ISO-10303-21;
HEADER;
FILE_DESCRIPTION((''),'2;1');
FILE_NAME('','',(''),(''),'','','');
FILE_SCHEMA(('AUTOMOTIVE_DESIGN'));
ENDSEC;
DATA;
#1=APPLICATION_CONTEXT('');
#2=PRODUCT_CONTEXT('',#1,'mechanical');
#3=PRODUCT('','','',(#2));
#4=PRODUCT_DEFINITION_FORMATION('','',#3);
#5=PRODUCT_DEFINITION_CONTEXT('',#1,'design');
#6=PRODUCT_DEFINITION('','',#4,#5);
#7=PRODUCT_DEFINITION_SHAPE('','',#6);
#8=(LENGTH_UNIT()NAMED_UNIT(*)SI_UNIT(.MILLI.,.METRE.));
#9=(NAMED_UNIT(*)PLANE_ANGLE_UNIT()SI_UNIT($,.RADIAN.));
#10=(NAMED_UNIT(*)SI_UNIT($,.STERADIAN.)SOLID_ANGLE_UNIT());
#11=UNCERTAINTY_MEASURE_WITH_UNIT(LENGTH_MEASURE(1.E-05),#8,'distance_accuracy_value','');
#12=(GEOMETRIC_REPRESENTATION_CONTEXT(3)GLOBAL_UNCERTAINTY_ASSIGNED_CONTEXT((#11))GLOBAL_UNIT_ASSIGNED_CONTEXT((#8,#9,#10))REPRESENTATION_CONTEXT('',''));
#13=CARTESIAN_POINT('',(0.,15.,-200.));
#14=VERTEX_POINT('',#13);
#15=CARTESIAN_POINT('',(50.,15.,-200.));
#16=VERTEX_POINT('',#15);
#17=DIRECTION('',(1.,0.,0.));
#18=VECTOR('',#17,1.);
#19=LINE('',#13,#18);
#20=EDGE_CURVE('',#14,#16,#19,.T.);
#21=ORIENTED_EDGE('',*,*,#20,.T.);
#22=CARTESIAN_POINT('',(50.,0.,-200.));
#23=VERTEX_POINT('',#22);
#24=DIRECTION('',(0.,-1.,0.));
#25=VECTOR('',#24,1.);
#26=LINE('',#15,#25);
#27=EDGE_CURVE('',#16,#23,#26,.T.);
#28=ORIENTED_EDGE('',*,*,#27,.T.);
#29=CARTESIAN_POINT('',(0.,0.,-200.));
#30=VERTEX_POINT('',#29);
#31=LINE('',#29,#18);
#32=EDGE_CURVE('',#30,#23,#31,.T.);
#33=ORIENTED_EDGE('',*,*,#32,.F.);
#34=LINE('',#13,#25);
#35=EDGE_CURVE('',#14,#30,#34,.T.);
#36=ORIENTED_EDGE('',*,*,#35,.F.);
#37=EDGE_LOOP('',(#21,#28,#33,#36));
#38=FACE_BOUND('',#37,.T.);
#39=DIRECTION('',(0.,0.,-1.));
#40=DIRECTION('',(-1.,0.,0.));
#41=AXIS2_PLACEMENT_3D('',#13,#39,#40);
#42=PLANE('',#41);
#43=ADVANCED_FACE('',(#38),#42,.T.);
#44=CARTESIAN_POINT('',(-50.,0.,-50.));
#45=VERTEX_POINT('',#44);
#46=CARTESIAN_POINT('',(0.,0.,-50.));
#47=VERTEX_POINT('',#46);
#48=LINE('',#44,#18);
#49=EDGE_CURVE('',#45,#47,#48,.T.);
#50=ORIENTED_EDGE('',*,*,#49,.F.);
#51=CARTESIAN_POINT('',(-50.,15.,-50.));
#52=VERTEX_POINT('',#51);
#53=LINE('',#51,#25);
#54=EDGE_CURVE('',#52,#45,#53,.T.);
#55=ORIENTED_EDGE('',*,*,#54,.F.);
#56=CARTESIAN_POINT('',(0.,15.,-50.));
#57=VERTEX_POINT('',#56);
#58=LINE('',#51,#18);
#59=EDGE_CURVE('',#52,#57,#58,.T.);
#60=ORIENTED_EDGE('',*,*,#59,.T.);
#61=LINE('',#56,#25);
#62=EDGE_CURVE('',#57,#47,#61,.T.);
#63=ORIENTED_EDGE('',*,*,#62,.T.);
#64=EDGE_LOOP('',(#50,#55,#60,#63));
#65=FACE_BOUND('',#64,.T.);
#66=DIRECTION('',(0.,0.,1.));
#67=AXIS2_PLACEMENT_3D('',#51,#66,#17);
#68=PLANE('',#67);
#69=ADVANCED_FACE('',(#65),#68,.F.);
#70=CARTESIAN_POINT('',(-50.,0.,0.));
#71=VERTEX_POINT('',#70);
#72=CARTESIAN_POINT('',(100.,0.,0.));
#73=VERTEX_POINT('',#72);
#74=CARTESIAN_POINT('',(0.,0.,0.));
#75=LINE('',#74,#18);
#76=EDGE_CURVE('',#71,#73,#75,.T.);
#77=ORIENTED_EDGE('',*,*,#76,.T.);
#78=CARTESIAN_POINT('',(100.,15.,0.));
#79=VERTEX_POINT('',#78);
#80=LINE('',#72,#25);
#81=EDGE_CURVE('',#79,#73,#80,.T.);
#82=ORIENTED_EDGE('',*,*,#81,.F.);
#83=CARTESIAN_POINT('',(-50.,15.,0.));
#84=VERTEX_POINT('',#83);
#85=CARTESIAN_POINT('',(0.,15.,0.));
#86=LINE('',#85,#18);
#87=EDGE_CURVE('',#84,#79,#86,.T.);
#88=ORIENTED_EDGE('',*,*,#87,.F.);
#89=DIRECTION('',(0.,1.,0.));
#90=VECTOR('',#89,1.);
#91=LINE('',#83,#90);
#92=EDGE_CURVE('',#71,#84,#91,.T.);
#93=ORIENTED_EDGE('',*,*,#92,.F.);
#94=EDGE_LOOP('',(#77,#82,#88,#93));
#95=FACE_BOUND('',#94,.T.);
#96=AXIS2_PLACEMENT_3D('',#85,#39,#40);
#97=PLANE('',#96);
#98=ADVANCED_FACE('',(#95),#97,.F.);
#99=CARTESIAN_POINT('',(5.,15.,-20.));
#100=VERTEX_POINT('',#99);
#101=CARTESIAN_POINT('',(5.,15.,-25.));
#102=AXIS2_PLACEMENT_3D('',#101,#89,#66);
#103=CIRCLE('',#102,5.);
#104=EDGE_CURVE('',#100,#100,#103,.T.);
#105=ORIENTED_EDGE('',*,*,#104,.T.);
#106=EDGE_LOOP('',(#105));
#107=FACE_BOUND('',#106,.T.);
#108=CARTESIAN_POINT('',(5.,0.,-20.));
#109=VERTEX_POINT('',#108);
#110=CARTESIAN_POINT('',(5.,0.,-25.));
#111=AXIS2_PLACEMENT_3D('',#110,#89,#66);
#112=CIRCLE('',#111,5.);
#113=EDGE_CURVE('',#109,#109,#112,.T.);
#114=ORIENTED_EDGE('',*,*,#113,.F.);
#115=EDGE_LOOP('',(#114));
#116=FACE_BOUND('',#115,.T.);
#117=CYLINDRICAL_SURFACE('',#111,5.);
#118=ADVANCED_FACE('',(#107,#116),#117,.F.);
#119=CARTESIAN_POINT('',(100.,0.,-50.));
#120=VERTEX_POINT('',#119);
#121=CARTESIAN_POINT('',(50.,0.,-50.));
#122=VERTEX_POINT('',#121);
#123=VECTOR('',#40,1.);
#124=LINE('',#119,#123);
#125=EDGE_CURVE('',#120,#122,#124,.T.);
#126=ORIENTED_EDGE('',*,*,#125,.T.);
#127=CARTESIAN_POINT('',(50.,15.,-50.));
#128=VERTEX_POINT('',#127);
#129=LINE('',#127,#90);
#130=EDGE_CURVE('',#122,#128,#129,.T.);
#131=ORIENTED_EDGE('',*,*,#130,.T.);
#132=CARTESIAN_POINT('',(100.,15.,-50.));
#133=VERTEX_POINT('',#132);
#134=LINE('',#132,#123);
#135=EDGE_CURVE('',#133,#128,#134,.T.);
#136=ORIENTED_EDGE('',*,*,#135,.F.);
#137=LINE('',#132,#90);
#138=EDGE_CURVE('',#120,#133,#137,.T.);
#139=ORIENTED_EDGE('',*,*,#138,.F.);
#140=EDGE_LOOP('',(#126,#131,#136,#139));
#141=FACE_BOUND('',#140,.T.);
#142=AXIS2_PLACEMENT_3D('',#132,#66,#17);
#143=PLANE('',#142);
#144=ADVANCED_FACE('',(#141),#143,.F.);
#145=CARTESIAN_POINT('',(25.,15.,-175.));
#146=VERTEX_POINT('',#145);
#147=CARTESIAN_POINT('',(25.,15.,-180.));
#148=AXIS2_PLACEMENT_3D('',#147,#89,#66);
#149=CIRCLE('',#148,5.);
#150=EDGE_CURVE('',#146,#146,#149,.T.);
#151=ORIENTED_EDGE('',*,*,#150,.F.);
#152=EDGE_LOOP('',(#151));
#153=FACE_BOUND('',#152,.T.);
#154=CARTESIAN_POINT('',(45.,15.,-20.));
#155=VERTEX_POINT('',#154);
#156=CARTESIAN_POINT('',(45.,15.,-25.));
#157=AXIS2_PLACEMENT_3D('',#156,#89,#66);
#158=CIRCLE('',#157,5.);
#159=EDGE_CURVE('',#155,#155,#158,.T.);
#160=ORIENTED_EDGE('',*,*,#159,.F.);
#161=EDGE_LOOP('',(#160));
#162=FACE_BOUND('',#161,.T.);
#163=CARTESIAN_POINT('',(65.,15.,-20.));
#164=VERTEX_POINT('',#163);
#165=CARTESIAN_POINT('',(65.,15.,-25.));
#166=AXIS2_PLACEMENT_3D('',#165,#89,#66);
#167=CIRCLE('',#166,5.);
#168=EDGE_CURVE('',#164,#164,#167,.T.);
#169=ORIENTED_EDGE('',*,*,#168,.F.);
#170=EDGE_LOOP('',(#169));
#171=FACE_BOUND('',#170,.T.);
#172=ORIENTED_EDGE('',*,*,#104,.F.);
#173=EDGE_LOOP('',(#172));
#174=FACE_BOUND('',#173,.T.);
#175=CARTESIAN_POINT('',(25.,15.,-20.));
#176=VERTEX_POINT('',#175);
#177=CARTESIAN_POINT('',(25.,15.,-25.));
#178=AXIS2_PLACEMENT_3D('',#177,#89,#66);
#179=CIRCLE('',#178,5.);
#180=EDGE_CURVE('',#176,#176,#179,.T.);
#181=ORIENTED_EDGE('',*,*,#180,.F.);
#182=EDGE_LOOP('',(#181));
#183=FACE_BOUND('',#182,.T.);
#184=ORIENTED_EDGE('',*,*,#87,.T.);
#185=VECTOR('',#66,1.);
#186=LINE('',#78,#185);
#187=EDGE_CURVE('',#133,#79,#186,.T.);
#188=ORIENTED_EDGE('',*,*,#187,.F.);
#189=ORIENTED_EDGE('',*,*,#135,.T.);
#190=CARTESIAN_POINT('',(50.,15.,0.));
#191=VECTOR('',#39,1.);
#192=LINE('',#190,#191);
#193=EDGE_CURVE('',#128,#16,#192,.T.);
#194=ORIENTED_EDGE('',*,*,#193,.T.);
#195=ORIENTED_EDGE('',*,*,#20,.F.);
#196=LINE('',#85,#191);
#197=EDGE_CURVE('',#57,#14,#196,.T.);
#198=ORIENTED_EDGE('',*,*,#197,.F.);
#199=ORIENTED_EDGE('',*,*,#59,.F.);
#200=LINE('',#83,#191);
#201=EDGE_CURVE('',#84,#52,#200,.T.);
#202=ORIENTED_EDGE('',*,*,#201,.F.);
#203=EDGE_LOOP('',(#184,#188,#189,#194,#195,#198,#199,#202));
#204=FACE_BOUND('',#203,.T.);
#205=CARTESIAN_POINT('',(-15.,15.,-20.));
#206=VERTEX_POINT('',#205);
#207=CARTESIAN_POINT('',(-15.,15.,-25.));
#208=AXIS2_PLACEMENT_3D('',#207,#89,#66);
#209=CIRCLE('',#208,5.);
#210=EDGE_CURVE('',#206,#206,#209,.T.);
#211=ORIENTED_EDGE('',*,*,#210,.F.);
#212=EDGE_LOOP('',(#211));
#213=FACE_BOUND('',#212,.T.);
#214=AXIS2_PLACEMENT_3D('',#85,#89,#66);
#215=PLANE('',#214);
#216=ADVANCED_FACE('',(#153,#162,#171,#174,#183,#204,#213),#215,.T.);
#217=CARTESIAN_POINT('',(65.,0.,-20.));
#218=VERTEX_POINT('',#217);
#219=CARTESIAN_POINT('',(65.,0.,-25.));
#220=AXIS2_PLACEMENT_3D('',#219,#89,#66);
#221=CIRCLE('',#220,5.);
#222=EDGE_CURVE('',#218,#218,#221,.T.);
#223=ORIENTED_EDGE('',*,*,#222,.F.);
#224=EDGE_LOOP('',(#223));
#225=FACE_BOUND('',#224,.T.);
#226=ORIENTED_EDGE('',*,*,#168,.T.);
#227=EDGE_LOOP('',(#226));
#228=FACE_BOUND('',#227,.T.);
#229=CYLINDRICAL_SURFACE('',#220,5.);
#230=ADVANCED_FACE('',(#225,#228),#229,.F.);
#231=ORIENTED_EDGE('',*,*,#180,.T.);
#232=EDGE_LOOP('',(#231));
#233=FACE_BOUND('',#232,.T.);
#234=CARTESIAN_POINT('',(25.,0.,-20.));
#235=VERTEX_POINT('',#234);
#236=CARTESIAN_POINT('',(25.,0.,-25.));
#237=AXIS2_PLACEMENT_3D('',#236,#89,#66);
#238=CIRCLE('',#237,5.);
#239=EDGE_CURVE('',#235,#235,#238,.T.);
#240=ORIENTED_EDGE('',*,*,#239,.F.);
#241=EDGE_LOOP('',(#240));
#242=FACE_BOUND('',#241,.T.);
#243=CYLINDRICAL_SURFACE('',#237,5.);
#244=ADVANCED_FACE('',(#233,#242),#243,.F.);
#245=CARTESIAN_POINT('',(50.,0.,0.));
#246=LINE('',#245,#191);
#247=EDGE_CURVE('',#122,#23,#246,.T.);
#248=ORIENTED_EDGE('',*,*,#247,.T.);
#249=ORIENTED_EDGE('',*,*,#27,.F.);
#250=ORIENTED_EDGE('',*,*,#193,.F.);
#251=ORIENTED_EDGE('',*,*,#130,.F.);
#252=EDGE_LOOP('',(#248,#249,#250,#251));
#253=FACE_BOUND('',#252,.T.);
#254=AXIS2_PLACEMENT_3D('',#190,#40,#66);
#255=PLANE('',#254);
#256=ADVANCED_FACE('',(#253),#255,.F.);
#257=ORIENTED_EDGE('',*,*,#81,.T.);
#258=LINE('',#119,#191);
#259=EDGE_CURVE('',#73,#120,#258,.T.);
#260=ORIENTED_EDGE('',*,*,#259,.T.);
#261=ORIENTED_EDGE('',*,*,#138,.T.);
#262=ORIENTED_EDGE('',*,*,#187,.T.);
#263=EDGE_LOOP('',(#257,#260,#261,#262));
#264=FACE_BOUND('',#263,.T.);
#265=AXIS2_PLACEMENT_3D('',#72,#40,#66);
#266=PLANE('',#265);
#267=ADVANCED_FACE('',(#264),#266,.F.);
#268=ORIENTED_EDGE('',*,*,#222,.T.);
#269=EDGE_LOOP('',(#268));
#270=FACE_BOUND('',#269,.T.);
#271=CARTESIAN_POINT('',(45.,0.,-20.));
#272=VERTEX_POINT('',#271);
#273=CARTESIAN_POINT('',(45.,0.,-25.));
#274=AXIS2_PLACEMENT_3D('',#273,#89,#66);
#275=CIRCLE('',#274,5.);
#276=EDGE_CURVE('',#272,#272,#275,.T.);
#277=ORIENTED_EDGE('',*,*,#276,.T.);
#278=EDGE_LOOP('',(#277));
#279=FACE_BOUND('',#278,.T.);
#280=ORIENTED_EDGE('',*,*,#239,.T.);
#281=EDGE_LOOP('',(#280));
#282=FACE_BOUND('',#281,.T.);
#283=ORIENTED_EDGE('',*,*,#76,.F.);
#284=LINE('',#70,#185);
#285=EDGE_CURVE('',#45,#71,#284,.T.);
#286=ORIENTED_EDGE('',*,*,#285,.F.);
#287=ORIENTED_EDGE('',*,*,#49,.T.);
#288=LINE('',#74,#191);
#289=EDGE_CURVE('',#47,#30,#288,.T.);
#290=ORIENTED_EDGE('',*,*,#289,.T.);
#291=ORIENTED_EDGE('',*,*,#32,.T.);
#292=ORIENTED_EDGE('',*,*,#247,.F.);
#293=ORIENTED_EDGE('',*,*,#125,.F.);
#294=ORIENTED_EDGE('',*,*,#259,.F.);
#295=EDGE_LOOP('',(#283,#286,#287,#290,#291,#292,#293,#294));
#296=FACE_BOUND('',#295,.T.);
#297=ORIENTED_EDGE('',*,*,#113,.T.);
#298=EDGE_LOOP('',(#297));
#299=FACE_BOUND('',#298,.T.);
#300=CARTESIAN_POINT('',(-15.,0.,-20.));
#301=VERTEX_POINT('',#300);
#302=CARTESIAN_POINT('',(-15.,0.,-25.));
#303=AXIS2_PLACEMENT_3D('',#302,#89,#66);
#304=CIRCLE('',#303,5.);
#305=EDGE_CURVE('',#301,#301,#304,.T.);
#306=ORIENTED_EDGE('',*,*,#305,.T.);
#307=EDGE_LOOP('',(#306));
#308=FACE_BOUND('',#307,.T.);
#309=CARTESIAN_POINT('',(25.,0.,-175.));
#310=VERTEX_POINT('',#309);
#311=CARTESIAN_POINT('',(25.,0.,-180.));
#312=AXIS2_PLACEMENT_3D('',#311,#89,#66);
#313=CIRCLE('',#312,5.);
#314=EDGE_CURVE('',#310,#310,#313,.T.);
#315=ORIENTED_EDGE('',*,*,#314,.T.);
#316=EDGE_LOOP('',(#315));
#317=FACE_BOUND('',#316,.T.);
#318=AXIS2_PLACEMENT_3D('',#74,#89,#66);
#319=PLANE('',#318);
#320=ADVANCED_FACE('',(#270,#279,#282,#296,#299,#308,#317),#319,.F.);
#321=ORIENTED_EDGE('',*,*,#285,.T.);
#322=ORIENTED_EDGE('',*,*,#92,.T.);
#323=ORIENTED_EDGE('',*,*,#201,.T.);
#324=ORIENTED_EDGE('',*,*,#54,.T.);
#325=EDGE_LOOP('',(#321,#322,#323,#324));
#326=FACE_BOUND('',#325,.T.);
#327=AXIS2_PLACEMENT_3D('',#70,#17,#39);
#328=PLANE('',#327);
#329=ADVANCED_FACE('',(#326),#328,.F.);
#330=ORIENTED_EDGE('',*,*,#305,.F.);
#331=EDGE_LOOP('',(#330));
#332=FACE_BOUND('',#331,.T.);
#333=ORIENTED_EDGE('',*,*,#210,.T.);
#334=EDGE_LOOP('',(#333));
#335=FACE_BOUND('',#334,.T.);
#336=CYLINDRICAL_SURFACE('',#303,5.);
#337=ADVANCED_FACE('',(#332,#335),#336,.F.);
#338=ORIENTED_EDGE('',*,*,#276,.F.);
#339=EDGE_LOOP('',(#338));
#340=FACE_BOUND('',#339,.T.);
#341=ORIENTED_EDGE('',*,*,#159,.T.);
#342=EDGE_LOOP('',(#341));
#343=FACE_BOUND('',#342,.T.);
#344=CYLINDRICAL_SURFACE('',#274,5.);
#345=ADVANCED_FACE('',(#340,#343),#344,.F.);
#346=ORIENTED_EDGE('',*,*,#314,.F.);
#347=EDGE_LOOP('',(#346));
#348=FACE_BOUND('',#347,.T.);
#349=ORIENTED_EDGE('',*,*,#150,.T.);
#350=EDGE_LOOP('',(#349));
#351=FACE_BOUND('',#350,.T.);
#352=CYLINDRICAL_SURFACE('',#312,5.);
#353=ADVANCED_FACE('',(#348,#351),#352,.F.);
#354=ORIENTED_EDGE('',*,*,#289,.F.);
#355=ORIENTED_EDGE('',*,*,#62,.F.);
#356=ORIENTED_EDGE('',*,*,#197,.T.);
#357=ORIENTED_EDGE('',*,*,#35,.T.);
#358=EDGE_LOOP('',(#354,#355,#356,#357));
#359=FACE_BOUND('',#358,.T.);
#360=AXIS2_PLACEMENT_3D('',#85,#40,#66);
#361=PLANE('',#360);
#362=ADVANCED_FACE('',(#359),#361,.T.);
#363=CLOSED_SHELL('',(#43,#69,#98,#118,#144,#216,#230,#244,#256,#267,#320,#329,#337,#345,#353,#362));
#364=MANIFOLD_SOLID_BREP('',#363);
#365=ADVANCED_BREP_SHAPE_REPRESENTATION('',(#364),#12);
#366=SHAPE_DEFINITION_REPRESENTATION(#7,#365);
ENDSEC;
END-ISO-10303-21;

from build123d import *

# Parameters (mm, degrees)
SKETCH1_W           = 50
SKETCH1_H           = 200
BOSS_EXTRUDE1_DEPTH = 15
SKETCH2_R           = 5
CUT_EXTRUDE2_DEPTH  = 16
SKETCH3_W           = 50
SKETCH3_H           = 15
BOSS_EXTRUDE2_DEPTH = 50
SKETCH4_W           = 50
SKETCH4_H           = 15
BOSS_EXTRUDE3_DEPTH = 50
SKETCH5_R           = 5
CUT_EXTRUDE3_DEPTH  = 16


with BuildPart() as part:
    # Sketch1 → Boss-Extrude1 (new body)
    with BuildSketch(Plane(origin=(0, 0, 0), x_dir=(1, 0, 0), z_dir=(0, 1, 0))):
        with Locations((25, 100)):
            Rectangle(SKETCH1_W, SKETCH1_H)
    extrude(amount=BOSS_EXTRUDE1_DEPTH)

    # Sketch2 → Cut-Extrude2 (cut, through all)
    with BuildSketch(Plane(origin=(0, 15, 0), x_dir=(1, 0, 0), z_dir=(0, 1, 0))):
        with Locations((25, 180)):
            Circle(SKETCH2_R)
    extrude(amount=-CUT_EXTRUDE2_DEPTH, mode=Mode.SUBTRACT)

    # Sketch3 → Boss-Extrude2 (add)
    with BuildSketch(Plane(origin=(50, 0, 0), x_dir=(0, 0, -1), z_dir=(1, 0, 0))):
        with Locations((25, 7.5)):
            Rectangle(SKETCH3_W, SKETCH3_H)
    extrude(amount=BOSS_EXTRUDE2_DEPTH)

    # Sketch4 → Boss-Extrude3 (add)
    with BuildSketch(Plane.ZY):
        with Locations((-25, 7.5)):
            Rectangle(SKETCH4_W, SKETCH4_H)
    extrude(amount=BOSS_EXTRUDE3_DEPTH)

    # Sketch5 → Cut-Extrude3 (cut, through all)
    with BuildSketch(Plane(origin=(0, 15, 0), x_dir=(1, 0, 0), z_dir=(0, 1, 0))):
        with Locations((25, 25)):
            Circle(SKETCH5_R)
        with Locations((5, 25)):
            Circle(SKETCH5_R)
        with Locations((-15, 25)):
            Circle(SKETCH5_R)
        with Locations((45, 25)):
            Circle(SKETCH5_R)
        with Locations((65, 25)):
            Circle(SKETCH5_R)
    extrude(amount=-CUT_EXTRUDE3_DEPTH, mode=Mode.SUBTRACT)


solid = part.part
